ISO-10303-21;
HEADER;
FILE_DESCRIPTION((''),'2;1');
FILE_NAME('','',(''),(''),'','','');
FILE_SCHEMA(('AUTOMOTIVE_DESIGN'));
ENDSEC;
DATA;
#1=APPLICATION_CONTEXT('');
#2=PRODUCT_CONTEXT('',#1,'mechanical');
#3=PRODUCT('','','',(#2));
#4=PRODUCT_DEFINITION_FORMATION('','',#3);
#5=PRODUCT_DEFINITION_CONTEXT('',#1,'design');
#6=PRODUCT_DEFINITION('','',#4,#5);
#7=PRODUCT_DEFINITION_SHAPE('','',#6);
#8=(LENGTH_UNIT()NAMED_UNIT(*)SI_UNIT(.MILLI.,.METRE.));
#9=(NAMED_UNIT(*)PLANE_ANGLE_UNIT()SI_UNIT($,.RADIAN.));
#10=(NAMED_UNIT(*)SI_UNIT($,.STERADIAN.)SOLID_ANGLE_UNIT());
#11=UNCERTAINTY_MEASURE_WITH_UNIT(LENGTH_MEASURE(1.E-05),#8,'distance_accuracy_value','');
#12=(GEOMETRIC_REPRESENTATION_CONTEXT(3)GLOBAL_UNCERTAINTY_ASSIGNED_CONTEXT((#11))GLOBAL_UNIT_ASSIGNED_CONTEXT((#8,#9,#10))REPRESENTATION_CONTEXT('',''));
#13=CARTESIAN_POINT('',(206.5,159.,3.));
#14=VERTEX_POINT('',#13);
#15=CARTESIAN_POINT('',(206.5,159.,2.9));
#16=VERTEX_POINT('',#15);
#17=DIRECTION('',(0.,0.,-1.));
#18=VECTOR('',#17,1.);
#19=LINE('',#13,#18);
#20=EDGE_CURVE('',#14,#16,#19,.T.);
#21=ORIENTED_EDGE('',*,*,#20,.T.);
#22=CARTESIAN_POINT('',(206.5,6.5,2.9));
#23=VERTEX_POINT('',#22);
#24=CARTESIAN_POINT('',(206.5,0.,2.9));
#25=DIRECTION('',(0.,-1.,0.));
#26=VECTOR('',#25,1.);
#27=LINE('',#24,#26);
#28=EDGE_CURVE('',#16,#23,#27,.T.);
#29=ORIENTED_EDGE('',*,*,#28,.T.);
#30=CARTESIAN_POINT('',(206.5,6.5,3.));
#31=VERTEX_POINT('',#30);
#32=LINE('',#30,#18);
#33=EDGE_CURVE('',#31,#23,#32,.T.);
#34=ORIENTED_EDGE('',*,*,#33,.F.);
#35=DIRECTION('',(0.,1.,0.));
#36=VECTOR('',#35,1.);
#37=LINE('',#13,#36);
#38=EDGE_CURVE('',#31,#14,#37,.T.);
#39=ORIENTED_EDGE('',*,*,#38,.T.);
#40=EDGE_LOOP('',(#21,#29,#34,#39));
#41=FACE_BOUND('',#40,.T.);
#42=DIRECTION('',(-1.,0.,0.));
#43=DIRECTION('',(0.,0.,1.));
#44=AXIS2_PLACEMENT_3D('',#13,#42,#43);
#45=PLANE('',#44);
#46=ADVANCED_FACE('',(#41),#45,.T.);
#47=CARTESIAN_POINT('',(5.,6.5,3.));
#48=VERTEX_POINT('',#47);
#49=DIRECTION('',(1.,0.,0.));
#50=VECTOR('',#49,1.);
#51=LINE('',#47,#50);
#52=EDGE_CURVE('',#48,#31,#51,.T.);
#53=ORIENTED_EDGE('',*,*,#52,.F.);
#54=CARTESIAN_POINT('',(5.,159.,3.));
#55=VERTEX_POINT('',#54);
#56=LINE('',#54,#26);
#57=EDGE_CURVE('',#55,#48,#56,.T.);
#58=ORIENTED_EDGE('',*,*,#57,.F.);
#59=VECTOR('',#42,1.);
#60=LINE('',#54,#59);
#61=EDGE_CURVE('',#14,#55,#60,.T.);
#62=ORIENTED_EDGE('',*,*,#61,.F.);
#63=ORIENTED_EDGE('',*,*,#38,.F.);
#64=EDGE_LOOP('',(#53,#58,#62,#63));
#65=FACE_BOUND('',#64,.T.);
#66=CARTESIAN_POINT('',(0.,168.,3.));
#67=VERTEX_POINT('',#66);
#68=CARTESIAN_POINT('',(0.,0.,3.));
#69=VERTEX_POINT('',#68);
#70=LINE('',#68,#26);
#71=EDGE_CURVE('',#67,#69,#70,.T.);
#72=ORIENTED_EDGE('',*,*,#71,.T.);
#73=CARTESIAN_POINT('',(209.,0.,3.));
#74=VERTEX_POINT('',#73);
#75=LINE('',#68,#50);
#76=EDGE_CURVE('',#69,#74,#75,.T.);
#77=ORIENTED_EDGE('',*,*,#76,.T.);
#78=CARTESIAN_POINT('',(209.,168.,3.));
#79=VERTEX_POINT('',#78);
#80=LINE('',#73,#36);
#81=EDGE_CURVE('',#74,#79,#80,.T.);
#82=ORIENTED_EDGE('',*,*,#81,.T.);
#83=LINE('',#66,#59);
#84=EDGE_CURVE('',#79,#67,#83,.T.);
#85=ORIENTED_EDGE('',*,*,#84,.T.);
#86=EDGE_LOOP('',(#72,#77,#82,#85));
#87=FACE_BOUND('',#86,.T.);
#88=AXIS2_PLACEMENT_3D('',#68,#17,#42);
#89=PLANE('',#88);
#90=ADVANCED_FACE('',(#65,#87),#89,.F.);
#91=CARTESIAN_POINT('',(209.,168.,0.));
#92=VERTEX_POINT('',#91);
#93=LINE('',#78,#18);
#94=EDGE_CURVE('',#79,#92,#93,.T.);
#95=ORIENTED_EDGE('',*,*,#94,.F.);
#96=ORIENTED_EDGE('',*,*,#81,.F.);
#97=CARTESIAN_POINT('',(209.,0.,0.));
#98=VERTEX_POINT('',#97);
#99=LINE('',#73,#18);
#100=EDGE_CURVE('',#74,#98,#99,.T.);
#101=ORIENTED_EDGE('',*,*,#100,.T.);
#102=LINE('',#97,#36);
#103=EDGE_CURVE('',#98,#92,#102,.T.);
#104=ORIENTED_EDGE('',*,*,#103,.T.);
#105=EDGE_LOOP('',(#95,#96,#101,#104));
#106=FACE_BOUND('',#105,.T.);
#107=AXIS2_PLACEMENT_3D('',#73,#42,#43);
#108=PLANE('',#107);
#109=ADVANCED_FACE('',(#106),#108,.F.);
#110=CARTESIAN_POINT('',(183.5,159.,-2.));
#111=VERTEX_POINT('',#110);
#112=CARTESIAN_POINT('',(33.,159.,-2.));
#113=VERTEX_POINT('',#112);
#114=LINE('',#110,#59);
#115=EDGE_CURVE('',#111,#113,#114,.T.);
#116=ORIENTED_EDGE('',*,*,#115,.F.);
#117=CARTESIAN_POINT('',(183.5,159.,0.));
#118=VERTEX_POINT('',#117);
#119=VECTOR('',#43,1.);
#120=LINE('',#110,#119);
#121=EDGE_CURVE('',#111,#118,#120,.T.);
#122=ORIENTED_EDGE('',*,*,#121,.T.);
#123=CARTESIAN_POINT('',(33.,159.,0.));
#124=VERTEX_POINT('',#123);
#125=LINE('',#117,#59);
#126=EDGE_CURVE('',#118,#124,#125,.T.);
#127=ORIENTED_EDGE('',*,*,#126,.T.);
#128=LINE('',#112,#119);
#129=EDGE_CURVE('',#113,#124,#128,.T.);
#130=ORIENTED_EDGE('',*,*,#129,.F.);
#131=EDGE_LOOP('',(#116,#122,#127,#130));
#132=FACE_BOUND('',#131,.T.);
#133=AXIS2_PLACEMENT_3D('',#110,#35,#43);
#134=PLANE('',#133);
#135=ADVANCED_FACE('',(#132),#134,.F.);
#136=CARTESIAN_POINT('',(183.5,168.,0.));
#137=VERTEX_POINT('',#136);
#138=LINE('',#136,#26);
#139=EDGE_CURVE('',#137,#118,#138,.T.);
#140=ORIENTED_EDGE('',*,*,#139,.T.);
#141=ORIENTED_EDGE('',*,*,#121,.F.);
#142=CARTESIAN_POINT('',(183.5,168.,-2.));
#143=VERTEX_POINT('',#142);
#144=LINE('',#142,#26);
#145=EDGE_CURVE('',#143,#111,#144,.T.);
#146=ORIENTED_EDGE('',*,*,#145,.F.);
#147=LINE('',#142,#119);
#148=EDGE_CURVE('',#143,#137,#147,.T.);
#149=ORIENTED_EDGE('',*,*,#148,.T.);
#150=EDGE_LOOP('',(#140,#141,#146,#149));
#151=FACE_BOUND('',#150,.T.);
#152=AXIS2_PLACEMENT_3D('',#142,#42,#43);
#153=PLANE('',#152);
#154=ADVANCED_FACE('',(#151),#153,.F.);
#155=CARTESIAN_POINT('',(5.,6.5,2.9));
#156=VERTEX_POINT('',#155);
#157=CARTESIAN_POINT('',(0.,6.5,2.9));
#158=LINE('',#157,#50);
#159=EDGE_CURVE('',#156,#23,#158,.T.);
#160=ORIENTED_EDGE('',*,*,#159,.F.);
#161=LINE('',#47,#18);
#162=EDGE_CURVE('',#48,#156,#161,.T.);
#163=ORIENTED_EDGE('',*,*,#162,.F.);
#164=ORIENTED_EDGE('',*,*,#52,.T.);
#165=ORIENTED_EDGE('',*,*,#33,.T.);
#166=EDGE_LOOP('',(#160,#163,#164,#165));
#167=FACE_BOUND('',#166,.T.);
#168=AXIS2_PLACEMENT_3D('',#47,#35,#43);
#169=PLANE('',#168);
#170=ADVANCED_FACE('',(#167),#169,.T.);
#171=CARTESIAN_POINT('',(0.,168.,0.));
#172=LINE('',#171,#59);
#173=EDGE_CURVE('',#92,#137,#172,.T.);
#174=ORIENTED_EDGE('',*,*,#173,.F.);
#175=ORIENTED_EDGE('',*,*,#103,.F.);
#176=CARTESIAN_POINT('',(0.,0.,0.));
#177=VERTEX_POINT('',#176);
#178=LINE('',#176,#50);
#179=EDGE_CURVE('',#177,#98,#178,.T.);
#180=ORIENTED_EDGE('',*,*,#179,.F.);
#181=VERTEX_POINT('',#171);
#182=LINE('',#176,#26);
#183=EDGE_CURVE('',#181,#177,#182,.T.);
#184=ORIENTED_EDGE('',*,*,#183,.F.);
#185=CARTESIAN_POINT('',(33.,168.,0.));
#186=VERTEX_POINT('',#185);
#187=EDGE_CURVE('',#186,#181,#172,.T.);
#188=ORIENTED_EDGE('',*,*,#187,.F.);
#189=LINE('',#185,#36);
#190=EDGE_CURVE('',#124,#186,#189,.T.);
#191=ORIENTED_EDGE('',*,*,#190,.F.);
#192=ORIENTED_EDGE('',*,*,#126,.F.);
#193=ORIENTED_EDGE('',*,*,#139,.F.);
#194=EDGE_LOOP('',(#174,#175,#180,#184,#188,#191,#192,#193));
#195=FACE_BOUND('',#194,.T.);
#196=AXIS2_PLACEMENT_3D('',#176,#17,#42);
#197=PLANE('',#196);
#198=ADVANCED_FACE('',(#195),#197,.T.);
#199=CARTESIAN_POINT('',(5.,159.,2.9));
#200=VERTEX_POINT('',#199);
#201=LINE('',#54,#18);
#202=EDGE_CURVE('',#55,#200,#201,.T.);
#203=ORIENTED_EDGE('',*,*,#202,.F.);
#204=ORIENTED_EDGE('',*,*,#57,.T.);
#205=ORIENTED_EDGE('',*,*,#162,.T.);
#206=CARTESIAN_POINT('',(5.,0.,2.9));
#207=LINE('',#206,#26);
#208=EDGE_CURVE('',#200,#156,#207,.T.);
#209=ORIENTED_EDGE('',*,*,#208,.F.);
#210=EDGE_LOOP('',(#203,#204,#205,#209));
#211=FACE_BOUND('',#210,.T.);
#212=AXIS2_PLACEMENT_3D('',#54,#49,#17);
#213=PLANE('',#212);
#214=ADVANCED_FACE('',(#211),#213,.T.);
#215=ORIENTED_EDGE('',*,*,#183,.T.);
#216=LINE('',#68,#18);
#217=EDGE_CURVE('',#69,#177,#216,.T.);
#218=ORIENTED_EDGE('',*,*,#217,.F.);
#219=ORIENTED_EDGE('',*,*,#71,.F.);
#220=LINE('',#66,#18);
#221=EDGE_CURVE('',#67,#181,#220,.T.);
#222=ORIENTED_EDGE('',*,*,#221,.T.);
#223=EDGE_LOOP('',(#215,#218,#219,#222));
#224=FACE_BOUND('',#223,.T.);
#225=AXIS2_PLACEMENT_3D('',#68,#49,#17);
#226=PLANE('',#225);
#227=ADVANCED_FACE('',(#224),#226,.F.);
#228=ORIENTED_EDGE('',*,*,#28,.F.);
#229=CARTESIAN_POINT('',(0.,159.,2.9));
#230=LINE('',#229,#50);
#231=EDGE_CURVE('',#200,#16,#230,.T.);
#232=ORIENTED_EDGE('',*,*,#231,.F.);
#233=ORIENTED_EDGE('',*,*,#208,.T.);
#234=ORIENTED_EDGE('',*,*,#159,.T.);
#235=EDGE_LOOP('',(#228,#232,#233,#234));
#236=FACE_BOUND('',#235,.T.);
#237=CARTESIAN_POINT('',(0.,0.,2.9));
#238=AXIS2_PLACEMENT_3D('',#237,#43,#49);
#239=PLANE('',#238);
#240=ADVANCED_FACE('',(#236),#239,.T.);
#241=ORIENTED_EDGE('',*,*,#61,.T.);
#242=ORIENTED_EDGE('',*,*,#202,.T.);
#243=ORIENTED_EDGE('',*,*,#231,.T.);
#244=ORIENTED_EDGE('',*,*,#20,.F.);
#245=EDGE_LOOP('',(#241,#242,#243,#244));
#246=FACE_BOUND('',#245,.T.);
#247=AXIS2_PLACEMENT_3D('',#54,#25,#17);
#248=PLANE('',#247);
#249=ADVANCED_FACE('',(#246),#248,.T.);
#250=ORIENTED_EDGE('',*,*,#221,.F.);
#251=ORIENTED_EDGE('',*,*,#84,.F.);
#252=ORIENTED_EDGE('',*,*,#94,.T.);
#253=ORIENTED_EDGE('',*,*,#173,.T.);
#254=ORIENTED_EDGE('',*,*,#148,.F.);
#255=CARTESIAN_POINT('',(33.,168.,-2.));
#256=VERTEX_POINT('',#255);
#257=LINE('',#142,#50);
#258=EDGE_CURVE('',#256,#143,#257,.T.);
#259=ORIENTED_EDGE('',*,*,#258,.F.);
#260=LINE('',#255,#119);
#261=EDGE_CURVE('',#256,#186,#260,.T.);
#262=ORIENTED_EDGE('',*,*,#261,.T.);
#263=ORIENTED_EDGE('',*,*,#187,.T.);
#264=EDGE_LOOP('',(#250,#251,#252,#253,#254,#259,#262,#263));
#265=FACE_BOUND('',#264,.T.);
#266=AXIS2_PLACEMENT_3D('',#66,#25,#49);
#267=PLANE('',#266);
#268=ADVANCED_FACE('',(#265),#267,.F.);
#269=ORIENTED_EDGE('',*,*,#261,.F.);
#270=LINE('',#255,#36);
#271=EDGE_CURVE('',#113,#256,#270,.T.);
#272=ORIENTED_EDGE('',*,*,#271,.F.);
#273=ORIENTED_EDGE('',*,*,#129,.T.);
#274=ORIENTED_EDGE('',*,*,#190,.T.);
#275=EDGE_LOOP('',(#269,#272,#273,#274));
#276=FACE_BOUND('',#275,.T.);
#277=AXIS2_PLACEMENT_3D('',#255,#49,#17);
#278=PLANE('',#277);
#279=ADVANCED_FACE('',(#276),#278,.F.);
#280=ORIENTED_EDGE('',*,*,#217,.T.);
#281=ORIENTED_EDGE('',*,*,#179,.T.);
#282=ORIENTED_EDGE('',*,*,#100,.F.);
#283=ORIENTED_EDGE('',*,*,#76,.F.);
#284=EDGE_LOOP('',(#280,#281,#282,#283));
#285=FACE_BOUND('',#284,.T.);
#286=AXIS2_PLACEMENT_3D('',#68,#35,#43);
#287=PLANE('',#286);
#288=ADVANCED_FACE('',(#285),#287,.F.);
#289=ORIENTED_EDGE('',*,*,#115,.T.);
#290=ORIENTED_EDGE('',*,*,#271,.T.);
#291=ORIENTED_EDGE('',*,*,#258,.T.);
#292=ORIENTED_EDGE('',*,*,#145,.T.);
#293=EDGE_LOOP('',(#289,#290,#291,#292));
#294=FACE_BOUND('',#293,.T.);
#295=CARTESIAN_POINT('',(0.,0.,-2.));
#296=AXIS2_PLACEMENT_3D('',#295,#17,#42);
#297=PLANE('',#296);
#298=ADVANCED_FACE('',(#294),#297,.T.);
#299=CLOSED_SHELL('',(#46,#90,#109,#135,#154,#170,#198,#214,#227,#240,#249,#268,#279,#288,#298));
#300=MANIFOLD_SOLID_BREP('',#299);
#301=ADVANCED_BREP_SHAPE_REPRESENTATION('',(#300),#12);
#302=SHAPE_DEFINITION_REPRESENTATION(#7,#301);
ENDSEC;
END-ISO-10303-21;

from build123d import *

# Parameters (mm, degrees)
SKETCH_1_W        = 209
SKETCH_1_H        = 168
SKETCH_1_W_2      = 201.5
SKETCH_1_H_2      = 152.5
EXTRUDE_1_1_DEPTH = 3
SKETCH_1_3_W      = 201.5
SKETCH_1_3_H      = 152.5
EXTRUDE_1_2_DEPTH = 2.9
SKETCH_3_W        = 150.5
SKETCH_3_H        = 9
EXTRUDE_2_1_DEPTH = 2


with BuildPart() as part:
    # 草图1 → 1-1 (new body)
    with BuildSketch(Plane.XY):
        with Locations((104.5, 84)):
            Rectangle(SKETCH_1_W, SKETCH_1_H)
        with Locations((105.75, 82.75)):
            Rectangle(SKETCH_1_W_2, SKETCH_1_H_2, mode=Mode.SUBTRACT)
    extrude(amount=EXTRUDE_1_1_DEPTH)

    # 草图1<3> → 1-2 (add)
    with BuildSketch(Plane.XY):
        with Locations((105.75, 82.75)):
            Rectangle(SKETCH_1_3_W, SKETCH_1_3_H)
    extrude(amount=EXTRUDE_1_2_DEPTH)

    # 草图3 → 2-1 (add)
    with BuildSketch(Plane(origin=(0, 0, 0), x_dir=(-1, 0, 0), z_dir=(0, 0, -1))):
        with Locations((-108.25, 163.5)):
            Rectangle(SKETCH_3_W, SKETCH_3_H)
    extrude(amount=EXTRUDE_2_1_DEPTH)


solid = part.part
